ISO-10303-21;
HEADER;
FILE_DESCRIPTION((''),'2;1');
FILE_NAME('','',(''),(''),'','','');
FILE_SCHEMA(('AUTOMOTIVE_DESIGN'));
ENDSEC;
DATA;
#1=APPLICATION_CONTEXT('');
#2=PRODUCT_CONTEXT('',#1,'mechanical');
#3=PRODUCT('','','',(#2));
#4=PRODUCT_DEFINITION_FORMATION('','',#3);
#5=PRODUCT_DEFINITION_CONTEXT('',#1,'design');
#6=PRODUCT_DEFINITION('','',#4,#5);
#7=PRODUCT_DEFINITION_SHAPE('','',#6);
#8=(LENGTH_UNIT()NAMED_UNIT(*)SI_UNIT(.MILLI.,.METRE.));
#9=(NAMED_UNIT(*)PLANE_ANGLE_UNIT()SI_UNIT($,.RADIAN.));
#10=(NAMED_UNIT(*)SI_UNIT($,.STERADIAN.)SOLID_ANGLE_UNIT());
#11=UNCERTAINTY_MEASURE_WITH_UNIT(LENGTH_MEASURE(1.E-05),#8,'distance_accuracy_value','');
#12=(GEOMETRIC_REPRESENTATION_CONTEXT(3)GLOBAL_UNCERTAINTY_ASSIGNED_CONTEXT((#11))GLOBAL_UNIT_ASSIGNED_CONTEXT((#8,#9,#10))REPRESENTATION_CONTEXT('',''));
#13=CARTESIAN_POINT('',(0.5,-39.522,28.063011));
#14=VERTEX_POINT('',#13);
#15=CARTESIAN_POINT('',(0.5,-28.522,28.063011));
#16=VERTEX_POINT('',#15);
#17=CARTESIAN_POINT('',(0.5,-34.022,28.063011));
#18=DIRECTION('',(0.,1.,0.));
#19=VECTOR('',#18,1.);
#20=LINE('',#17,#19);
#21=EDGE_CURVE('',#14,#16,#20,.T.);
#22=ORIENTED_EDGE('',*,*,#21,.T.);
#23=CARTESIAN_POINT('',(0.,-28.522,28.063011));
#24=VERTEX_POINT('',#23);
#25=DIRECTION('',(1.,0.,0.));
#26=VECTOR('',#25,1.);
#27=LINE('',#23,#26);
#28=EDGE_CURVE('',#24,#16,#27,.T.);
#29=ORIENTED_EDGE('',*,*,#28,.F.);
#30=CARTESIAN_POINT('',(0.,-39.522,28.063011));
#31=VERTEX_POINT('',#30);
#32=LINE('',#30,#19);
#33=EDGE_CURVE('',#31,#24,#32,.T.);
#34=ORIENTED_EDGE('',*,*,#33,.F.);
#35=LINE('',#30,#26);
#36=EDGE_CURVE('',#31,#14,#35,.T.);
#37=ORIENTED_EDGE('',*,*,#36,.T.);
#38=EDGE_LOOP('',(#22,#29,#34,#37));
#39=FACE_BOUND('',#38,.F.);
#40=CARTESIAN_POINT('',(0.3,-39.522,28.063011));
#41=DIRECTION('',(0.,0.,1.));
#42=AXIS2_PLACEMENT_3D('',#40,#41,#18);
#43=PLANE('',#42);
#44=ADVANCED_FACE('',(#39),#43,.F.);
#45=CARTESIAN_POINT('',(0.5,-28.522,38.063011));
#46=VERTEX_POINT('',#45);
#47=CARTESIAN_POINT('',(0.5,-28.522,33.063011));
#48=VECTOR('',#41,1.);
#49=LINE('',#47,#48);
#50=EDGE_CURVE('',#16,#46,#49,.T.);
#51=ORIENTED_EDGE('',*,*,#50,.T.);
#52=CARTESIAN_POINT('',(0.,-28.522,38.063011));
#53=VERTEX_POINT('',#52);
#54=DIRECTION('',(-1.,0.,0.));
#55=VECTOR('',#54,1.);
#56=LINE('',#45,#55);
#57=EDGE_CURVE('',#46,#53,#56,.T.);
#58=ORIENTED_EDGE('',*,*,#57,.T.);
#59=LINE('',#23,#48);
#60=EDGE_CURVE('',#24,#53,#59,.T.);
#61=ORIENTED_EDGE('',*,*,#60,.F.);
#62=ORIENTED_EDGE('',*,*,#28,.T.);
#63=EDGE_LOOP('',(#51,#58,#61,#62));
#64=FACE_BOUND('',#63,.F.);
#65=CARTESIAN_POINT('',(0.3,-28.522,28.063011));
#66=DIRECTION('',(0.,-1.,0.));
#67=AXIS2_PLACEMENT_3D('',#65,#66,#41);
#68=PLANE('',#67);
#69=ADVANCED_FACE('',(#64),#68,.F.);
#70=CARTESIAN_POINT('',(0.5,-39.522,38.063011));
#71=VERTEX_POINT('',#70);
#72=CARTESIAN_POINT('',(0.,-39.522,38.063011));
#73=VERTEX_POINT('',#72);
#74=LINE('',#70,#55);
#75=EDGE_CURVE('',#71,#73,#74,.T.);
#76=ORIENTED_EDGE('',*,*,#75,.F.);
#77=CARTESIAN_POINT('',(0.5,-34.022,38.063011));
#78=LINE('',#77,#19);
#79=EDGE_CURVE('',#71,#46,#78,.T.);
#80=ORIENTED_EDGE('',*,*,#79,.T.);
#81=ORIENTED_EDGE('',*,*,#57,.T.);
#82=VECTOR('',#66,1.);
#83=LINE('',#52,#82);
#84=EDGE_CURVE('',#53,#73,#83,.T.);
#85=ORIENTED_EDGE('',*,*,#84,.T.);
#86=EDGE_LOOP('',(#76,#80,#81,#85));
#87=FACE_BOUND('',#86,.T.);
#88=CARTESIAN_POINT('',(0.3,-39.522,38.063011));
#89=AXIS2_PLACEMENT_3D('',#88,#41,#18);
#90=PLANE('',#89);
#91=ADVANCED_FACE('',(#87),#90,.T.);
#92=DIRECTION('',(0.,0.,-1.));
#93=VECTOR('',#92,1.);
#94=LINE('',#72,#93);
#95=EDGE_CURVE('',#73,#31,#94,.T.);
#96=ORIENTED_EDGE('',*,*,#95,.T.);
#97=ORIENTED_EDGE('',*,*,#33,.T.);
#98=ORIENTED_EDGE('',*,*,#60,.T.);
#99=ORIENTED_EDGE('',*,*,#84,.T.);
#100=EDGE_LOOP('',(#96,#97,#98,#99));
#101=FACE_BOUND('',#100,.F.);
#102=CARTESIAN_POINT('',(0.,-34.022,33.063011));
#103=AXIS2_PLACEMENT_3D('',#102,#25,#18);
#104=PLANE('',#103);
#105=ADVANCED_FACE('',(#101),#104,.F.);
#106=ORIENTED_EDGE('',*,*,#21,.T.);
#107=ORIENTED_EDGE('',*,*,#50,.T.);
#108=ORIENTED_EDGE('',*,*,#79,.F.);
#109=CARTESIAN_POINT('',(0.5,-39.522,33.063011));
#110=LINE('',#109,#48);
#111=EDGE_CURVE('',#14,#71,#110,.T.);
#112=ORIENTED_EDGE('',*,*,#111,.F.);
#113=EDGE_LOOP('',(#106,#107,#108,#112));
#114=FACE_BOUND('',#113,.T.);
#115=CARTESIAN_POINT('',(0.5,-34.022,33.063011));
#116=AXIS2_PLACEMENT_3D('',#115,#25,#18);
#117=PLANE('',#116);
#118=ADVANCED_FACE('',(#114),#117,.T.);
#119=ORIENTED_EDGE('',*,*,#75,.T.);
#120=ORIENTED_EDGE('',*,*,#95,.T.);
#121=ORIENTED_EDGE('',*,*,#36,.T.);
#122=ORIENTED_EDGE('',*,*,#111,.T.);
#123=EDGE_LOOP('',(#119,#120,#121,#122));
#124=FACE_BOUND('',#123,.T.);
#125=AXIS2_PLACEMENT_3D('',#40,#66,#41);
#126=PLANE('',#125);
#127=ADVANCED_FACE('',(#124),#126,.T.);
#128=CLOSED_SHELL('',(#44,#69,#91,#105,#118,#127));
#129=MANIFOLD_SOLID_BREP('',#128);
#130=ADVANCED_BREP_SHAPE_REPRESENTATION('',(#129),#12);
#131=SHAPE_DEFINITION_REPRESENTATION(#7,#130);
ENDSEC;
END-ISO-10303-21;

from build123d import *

# Parameters (mm, degrees)
F1_DEPTH  = 0.3
F1_FACE_W = 11
F1_FACE_H = 10
F2_DEPTH  = 0.2


with BuildPart() as f1:
    # F0 (on Right) → F1 (new body)
    with BuildSketch(Plane.YZ):
        Polygon((-34.522, 38.063011), (-39.522, 38.063011), (-39.522, 33.563011), (-39.522, 32.563011), (-39.522, 28.063011), (-34.522, 28.063011), (-33.522, 28.063011), (-28.522, 28.063011), (-28.522, 32.563011), (-28.522, 33.563011), (-28.522, 38.063011), (-33.522, 38.063011), align=None)
    extrude(amount=F1_DEPTH)

    # F1_face (on face) → F2 (join)
    with BuildSketch(Plane(origin=(0.3, -34.022, 33.063011), x_dir=(0, 1, 0), z_dir=(1, 0, 0))):
        Rectangle(F1_FACE_W, F1_FACE_H)
    extrude(amount=F2_DEPTH)


solid = f1.part
